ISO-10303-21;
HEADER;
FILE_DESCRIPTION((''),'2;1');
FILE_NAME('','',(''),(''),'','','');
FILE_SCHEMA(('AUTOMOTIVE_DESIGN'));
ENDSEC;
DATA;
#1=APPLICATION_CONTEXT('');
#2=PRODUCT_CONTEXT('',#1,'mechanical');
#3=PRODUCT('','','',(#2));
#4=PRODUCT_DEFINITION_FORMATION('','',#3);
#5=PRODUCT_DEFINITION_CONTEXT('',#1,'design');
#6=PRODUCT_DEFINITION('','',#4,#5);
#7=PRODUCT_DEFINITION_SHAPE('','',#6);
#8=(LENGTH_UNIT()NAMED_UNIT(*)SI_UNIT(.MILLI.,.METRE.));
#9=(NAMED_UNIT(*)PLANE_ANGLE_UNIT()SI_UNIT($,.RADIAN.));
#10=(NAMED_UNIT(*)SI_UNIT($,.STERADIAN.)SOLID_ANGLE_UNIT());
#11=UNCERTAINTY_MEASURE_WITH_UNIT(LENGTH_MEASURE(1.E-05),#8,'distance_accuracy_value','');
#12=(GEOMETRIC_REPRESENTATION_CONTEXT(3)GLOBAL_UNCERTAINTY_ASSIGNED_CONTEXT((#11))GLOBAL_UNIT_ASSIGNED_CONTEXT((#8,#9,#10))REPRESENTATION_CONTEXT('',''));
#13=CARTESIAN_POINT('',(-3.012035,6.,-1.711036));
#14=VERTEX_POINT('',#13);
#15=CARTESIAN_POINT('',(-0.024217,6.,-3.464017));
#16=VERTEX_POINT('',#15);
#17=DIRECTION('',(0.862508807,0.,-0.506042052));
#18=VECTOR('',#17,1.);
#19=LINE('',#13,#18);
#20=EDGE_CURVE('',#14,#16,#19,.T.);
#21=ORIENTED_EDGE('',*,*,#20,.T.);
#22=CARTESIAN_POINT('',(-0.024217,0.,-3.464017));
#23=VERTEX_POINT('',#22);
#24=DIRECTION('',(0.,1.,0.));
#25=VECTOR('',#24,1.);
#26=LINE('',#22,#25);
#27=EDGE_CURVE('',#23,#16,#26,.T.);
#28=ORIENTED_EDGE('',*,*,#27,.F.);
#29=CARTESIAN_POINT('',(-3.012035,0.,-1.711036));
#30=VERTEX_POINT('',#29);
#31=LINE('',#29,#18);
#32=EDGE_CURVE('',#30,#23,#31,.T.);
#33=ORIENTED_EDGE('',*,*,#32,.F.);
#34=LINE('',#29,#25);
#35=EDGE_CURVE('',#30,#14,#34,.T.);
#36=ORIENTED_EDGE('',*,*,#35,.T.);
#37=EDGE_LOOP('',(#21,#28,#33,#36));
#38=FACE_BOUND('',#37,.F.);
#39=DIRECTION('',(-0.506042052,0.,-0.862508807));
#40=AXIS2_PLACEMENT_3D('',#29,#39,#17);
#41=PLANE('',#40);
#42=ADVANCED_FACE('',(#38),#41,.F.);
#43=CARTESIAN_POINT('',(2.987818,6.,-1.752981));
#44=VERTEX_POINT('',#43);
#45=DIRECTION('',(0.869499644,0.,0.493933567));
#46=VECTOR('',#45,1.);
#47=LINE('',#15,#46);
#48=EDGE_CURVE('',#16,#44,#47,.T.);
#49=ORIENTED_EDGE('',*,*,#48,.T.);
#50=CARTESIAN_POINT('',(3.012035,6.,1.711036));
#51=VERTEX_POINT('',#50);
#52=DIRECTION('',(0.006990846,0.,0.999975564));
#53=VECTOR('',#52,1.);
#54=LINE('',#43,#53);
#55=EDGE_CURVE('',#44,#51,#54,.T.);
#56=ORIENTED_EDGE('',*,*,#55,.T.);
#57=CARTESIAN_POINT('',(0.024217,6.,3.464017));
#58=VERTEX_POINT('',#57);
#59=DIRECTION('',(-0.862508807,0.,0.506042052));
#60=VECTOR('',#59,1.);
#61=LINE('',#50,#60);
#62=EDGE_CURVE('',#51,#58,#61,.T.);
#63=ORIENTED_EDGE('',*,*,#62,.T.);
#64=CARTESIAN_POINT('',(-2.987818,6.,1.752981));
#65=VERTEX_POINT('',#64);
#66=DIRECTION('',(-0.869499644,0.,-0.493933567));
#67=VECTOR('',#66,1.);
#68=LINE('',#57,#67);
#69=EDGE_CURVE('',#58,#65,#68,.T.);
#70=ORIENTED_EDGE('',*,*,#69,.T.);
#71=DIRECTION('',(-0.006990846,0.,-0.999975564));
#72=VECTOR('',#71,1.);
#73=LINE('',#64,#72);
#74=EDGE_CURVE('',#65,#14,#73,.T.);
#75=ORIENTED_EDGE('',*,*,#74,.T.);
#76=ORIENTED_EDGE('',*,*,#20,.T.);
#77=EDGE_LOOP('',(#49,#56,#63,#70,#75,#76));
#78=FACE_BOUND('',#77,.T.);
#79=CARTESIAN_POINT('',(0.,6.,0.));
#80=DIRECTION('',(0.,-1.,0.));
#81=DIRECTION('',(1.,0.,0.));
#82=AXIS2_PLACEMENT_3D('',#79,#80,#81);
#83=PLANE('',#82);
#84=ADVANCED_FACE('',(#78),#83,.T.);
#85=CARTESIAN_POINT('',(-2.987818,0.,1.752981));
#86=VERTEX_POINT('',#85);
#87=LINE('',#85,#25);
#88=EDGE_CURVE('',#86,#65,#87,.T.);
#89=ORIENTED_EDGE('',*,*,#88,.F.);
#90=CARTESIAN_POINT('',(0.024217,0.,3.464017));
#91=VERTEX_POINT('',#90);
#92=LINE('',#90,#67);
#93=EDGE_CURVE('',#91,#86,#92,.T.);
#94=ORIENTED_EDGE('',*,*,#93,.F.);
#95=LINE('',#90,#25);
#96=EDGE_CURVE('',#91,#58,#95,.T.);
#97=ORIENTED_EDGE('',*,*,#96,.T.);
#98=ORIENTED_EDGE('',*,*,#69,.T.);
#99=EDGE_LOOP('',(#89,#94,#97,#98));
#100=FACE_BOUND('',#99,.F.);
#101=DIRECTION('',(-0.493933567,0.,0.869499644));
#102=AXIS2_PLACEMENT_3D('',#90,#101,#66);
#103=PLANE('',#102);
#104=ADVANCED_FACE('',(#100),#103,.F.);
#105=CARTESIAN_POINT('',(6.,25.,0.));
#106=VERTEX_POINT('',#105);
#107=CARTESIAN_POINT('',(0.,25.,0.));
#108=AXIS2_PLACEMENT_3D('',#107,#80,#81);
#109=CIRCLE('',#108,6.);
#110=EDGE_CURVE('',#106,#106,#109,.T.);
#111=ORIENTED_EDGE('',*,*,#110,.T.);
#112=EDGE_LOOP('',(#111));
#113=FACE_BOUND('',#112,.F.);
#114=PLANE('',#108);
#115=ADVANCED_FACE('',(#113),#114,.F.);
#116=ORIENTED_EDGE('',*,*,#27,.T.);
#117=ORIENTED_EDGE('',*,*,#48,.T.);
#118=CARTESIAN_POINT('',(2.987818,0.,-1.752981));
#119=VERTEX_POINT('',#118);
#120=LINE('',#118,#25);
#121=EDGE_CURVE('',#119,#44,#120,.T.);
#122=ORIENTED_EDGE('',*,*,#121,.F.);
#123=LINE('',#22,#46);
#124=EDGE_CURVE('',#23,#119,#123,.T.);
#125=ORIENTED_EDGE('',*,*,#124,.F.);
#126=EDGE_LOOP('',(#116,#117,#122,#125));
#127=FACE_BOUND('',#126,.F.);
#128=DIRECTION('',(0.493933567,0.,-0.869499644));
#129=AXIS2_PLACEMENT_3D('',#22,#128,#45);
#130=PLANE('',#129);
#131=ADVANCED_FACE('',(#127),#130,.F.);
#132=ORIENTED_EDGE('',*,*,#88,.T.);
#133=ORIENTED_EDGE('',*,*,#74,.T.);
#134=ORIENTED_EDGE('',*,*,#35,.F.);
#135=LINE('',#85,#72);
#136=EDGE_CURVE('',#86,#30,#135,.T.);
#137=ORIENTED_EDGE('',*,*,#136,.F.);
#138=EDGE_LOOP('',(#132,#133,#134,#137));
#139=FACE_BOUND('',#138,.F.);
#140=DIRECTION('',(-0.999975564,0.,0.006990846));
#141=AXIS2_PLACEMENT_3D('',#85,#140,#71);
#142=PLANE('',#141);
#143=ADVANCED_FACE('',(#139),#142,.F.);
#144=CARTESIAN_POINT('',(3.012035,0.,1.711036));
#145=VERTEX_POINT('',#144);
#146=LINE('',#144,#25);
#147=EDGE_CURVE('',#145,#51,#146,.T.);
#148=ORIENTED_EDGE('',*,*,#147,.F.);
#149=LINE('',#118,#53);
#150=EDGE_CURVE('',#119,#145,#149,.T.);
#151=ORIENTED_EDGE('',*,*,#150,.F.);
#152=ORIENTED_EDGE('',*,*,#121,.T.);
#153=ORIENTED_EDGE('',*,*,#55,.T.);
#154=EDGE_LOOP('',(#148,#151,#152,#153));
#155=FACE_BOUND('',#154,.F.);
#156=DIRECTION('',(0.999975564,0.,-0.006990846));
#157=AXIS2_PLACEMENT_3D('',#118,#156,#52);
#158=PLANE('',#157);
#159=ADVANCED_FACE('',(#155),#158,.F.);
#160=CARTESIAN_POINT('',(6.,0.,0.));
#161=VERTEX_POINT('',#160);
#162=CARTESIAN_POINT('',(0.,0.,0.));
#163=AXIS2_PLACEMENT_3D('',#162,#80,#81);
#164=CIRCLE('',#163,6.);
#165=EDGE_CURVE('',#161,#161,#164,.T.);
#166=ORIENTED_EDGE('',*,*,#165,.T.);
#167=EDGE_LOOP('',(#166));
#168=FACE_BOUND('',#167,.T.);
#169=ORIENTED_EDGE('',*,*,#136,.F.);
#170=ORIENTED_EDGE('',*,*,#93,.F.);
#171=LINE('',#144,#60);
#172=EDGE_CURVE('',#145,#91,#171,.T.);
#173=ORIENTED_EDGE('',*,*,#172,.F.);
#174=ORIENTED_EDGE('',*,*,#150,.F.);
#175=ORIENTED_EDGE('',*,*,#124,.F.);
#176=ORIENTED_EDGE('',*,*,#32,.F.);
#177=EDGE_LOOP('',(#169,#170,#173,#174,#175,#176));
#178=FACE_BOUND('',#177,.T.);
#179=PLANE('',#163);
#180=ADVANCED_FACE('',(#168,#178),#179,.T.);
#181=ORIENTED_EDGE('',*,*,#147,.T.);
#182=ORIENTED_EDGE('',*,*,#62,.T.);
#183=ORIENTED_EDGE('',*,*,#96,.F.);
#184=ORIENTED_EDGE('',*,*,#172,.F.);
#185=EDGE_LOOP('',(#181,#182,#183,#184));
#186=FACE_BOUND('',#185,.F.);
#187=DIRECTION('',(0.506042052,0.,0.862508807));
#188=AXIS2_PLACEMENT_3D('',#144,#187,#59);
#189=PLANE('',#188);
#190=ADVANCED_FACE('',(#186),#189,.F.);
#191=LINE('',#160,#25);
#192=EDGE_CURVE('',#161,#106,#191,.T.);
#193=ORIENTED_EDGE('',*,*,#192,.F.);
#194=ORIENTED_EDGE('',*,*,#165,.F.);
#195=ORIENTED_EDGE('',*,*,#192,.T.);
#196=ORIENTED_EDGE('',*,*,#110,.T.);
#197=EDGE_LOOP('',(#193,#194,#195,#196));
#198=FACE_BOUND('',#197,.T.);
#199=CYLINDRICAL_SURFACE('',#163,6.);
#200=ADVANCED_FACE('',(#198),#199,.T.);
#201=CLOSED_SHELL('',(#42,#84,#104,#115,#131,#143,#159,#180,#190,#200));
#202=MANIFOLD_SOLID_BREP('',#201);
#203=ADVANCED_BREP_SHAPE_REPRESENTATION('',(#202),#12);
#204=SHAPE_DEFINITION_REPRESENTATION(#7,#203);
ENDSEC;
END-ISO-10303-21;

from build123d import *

# Parameters (mm, degrees)
F0_R     = 6
F1_DEPTH = 25
F3_DEPTH = 6


with BuildPart() as f1:
    # F0 (on Front) → F1 (new body)
    with BuildSketch(Plane.XZ):
        Circle(F0_R)
    extrude(amount=-F1_DEPTH)

    # F2 (on face) → F3 (cut)
    with BuildSketch(Plane.XZ):
        Polygon((0.024217, 3.464017), (-2.987818, 1.752981), (-3.012035, -1.711036), (-0.024217, -3.464017), (2.987818, -1.752981), (3.012035, 1.711036), align=None)
    extrude(amount=-F3_DEPTH, mode=Mode.SUBTRACT)


solid = f1.part
